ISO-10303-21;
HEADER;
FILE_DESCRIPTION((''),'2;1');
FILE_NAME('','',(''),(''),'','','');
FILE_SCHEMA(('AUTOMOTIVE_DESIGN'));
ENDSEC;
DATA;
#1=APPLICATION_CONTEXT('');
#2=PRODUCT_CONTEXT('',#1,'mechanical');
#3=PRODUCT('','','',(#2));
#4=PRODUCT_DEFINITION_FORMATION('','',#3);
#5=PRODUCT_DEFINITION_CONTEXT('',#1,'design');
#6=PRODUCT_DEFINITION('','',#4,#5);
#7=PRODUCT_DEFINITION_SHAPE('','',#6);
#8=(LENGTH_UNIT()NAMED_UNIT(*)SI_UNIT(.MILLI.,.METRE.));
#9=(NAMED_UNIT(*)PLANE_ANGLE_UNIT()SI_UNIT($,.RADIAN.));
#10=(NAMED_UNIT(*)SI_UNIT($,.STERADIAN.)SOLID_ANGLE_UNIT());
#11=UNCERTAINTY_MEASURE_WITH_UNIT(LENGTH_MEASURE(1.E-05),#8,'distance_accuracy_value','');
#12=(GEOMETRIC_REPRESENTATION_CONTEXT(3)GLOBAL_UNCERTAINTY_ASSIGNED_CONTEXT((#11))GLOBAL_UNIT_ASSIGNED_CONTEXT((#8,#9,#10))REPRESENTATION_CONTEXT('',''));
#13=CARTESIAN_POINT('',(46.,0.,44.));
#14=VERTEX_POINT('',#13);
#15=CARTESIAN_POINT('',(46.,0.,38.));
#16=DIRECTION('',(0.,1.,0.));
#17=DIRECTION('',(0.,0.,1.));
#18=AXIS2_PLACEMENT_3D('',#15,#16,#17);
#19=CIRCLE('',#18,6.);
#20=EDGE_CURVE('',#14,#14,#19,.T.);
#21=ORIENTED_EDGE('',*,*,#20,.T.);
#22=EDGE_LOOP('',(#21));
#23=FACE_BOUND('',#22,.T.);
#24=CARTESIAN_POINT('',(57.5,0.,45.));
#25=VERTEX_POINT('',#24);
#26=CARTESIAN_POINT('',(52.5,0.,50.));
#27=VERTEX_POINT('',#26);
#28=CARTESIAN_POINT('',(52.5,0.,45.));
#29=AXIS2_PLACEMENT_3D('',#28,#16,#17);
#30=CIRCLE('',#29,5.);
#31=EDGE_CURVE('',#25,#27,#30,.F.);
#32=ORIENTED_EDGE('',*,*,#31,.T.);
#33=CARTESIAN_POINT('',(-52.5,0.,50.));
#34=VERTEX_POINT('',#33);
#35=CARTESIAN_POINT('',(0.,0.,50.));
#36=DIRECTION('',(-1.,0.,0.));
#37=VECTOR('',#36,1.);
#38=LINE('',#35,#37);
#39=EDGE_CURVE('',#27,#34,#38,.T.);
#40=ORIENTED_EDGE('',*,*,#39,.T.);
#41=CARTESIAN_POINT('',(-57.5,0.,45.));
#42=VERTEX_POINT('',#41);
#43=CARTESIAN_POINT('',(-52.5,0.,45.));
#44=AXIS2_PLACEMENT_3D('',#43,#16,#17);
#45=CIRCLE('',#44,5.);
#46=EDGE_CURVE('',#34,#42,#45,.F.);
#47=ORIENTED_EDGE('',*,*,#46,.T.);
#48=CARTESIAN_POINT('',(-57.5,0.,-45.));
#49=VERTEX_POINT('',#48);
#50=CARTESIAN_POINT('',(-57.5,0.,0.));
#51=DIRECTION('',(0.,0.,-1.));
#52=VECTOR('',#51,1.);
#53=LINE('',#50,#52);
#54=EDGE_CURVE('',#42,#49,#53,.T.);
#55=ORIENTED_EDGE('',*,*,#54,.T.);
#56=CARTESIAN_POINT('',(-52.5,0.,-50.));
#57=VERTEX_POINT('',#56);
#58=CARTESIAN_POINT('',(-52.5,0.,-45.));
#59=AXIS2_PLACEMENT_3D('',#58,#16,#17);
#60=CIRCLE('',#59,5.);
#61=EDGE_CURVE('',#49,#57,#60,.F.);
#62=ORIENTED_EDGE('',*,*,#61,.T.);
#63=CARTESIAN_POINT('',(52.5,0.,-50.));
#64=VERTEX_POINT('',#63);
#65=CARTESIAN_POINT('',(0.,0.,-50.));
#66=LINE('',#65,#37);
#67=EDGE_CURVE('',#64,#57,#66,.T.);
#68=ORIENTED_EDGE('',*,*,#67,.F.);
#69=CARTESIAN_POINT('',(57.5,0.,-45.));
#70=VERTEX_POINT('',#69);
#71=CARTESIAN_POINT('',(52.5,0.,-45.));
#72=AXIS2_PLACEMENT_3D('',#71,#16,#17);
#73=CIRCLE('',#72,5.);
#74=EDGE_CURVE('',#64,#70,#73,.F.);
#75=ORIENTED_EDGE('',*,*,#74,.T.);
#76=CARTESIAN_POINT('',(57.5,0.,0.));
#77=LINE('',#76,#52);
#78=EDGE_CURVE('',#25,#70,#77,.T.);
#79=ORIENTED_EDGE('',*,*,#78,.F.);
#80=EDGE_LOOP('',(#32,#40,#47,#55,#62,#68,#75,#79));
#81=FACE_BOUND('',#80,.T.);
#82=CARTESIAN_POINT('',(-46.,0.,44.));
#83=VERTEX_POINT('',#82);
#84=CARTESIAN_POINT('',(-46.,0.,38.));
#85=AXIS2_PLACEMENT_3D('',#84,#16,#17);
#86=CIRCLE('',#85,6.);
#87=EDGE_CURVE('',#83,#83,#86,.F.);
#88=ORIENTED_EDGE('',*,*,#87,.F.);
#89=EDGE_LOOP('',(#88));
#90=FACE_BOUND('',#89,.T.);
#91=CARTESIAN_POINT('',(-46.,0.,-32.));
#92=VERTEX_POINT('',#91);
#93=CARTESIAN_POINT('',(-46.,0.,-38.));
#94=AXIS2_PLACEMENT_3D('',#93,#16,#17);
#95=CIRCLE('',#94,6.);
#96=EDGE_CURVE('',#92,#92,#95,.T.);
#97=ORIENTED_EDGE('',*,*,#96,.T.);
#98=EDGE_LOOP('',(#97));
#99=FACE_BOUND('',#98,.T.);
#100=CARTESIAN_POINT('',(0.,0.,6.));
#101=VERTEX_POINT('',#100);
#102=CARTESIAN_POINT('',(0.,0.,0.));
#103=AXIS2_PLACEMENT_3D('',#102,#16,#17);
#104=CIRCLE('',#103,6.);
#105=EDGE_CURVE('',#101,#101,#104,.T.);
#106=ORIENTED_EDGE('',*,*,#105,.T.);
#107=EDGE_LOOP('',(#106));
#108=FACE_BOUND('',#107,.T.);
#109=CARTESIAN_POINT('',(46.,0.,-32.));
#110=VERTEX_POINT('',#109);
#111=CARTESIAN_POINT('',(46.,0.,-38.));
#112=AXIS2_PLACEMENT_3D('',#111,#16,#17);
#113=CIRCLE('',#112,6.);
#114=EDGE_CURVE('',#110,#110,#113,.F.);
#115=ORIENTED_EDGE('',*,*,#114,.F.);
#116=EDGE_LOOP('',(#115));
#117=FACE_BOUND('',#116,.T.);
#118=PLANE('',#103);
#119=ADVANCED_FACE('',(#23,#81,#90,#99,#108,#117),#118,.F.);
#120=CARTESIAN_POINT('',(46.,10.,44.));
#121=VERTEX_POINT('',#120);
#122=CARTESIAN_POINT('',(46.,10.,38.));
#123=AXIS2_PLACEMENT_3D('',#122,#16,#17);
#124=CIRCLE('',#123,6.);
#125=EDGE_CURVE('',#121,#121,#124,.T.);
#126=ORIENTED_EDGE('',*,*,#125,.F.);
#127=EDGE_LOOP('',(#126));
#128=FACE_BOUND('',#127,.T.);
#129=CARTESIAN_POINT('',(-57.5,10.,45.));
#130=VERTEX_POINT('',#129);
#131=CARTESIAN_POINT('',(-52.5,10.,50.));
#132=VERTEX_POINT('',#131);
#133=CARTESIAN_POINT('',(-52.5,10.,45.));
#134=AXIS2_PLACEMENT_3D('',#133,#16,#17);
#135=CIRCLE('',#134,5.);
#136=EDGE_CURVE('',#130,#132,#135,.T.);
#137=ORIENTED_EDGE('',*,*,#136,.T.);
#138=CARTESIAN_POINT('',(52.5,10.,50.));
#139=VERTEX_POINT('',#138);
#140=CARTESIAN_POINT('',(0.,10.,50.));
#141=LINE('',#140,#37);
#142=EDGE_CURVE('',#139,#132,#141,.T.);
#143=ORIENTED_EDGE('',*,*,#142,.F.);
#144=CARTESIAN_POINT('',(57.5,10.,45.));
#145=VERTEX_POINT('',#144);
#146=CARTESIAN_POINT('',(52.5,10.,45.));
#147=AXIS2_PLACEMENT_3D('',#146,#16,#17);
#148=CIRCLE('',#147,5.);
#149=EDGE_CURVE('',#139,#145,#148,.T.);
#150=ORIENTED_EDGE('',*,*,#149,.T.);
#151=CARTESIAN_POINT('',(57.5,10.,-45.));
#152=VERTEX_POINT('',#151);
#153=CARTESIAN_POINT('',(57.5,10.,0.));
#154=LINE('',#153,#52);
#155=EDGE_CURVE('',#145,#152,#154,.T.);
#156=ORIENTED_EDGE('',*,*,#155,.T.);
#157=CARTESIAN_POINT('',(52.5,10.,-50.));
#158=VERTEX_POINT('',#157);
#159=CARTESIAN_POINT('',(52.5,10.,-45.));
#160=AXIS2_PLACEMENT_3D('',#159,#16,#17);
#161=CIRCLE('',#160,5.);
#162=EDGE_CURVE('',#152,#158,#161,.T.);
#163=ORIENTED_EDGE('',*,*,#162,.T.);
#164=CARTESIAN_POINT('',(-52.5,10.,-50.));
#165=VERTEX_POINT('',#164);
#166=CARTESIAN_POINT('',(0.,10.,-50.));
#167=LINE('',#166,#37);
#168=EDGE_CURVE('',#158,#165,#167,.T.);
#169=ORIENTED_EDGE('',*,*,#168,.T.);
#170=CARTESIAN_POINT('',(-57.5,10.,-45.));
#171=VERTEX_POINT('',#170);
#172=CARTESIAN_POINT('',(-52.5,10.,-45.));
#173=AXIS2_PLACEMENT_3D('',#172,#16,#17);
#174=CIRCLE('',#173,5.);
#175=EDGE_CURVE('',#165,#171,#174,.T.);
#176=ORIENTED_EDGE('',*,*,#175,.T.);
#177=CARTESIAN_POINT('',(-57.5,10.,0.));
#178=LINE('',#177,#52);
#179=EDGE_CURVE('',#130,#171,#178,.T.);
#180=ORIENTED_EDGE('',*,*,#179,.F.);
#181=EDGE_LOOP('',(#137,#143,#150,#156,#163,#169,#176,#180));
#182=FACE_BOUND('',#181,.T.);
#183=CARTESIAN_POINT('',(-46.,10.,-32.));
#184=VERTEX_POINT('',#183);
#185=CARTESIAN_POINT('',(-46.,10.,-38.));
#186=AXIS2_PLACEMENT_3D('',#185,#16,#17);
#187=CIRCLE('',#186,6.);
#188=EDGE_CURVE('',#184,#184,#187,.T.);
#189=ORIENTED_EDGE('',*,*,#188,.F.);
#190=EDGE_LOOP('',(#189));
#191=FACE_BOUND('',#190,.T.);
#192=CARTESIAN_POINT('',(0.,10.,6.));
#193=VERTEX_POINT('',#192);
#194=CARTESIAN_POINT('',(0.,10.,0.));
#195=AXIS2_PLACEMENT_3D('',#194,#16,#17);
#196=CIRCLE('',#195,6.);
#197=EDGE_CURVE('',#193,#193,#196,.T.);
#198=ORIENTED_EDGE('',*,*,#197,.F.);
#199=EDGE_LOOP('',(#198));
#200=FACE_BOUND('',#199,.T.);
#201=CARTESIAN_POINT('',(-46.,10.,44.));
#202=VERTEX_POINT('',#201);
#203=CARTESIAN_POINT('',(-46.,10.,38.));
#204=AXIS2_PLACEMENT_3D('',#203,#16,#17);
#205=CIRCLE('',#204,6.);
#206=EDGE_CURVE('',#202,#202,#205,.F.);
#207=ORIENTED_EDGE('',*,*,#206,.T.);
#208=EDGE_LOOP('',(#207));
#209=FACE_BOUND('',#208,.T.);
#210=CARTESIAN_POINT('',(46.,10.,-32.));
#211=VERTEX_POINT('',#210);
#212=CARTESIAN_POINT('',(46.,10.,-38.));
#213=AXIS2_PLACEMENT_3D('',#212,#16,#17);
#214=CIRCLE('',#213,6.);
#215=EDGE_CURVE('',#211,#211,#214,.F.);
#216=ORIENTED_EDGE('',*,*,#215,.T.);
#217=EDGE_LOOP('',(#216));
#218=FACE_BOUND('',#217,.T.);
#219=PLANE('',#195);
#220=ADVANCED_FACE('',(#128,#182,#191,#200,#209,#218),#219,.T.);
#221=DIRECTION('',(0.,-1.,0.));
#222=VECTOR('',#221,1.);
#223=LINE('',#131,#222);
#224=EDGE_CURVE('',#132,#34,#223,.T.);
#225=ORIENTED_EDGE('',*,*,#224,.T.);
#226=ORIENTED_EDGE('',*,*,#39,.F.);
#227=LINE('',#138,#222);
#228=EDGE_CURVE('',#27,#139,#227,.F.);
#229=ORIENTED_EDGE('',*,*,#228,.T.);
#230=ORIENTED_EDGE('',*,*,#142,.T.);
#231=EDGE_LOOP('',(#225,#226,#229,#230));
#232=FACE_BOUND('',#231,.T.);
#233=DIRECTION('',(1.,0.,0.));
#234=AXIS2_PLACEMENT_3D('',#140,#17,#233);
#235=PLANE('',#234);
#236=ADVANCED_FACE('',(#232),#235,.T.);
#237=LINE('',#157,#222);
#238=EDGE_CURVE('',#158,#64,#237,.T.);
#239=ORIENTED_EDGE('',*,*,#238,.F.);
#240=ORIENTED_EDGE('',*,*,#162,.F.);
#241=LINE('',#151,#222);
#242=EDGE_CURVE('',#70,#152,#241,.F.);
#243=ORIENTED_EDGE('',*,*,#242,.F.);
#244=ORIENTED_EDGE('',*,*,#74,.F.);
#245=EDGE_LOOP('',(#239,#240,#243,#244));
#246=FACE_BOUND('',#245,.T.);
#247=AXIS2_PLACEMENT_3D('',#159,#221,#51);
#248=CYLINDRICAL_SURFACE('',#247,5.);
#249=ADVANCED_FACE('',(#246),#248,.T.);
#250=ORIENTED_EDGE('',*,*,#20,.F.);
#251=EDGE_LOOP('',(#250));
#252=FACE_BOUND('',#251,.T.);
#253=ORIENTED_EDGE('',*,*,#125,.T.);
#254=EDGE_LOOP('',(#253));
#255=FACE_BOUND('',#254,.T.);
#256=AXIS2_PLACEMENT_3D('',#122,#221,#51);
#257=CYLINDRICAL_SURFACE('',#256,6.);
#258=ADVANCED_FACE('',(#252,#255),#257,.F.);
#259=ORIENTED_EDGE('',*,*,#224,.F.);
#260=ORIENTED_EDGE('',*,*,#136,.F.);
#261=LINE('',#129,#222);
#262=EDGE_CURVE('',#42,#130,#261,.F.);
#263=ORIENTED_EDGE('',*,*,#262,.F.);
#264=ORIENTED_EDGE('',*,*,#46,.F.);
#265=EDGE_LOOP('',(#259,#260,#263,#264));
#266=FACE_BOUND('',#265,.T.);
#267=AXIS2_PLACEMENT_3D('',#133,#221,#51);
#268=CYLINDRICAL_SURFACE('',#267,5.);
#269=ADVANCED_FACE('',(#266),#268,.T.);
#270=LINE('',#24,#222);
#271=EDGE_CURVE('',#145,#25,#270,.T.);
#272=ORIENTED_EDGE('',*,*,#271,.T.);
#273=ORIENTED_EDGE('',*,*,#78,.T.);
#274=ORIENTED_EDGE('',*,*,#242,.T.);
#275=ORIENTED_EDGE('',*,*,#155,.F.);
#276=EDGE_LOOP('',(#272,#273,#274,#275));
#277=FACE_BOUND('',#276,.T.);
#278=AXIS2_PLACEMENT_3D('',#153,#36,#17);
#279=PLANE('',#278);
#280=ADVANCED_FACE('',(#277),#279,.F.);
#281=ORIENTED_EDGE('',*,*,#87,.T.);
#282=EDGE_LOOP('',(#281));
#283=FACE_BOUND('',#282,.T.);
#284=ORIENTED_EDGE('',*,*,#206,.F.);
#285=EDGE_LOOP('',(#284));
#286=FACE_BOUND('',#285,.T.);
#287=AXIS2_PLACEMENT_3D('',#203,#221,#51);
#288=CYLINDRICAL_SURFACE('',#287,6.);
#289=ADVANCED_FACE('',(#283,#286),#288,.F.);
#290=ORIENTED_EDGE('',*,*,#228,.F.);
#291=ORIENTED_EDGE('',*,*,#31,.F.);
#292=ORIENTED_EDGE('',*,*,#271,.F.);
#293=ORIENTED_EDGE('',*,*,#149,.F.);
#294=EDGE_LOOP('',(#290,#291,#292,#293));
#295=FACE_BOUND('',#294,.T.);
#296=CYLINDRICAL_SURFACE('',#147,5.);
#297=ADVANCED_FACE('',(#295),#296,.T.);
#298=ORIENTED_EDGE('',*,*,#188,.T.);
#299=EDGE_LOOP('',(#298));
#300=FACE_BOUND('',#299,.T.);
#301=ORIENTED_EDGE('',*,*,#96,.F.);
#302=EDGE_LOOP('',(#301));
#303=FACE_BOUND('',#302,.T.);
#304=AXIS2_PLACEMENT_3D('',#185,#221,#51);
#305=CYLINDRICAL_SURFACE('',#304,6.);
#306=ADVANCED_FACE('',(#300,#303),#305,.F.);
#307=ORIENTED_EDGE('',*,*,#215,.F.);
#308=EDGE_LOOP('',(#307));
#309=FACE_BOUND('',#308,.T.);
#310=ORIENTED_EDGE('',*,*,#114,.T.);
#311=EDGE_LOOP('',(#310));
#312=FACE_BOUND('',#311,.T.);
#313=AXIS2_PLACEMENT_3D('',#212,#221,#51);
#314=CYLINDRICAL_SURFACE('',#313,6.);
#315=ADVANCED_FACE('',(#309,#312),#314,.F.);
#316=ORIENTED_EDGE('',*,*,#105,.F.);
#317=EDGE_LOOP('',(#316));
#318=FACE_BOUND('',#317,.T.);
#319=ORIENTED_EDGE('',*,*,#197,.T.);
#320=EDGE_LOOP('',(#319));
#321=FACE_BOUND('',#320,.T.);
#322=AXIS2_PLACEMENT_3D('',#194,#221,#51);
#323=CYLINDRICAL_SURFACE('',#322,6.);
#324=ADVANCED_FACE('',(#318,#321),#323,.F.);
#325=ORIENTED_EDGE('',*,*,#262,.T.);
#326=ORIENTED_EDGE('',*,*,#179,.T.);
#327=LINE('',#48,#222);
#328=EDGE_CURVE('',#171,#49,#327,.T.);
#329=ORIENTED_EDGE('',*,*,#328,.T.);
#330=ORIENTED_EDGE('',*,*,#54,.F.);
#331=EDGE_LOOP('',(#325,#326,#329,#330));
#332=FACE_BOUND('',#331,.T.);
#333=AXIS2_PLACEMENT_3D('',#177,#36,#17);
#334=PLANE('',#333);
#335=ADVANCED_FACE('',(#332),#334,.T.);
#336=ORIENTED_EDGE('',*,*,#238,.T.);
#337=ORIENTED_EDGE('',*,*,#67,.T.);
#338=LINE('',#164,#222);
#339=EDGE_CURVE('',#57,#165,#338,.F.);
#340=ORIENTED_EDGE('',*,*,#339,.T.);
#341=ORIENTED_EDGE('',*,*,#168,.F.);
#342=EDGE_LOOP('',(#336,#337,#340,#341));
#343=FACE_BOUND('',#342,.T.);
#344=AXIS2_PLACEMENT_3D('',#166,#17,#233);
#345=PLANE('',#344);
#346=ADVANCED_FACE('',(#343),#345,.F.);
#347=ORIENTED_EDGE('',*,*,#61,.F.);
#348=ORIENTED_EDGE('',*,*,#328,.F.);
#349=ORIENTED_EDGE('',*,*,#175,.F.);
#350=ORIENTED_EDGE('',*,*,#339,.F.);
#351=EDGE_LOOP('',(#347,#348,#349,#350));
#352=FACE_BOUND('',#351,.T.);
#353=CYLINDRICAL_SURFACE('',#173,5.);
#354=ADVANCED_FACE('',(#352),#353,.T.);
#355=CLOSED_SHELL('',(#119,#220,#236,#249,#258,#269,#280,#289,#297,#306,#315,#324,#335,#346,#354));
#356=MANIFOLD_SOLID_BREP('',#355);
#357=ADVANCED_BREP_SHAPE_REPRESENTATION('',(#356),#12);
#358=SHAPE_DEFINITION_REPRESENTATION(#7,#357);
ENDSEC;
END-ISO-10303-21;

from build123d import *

# Parameters (mm, degrees)
SKETCH1_W           = 115
SKETCH1_H           = 100
SKETCH1_R           = 6
BOSS_EXTRUDE2_DEPTH = 10
FILLET1_R           = 5


with BuildPart() as part:
    # Sketch1 → Boss-Extrude2 (new body)
    with BuildSketch(Plane(origin=(0, 0, 0), x_dir=(1, 0, 0), z_dir=(0, 1, 0))):
        Rectangle(SKETCH1_W, SKETCH1_H)
        with Locations(Location((-46, 38, 0), (0, 0, 270))):
            Circle(SKETCH1_R, mode=Mode.SUBTRACT)
        with Locations(Location((46, 38, 0), (0, 0, 270))):
            Circle(SKETCH1_R, mode=Mode.SUBTRACT)
        with Locations(Location((46, -38, 0), (0, 0, 270))):
            Circle(SKETCH1_R, mode=Mode.SUBTRACT)
        with Locations(Location((-46, -38, 0), (0, 0, 270))):
            Circle(SKETCH1_R, mode=Mode.SUBTRACT)
        with Locations(Location((0, 0, 0), (0, 0, 270))):
            Circle(SKETCH1_R, mode=Mode.SUBTRACT)
    extrude(amount=BOSS_EXTRUDE2_DEPTH)

    # Fillet1
    fillet1_edges = [part.edges().sort_by_distance(p)[0] for p in [
        (-57.5, 5, -50),
        (57.5, 5, -50),
        (57.5, 5, 50),
        (-57.5, 5, 50),
    ]]
    fillet(fillet1_edges, radius=FILLET1_R)


solid = part.part
